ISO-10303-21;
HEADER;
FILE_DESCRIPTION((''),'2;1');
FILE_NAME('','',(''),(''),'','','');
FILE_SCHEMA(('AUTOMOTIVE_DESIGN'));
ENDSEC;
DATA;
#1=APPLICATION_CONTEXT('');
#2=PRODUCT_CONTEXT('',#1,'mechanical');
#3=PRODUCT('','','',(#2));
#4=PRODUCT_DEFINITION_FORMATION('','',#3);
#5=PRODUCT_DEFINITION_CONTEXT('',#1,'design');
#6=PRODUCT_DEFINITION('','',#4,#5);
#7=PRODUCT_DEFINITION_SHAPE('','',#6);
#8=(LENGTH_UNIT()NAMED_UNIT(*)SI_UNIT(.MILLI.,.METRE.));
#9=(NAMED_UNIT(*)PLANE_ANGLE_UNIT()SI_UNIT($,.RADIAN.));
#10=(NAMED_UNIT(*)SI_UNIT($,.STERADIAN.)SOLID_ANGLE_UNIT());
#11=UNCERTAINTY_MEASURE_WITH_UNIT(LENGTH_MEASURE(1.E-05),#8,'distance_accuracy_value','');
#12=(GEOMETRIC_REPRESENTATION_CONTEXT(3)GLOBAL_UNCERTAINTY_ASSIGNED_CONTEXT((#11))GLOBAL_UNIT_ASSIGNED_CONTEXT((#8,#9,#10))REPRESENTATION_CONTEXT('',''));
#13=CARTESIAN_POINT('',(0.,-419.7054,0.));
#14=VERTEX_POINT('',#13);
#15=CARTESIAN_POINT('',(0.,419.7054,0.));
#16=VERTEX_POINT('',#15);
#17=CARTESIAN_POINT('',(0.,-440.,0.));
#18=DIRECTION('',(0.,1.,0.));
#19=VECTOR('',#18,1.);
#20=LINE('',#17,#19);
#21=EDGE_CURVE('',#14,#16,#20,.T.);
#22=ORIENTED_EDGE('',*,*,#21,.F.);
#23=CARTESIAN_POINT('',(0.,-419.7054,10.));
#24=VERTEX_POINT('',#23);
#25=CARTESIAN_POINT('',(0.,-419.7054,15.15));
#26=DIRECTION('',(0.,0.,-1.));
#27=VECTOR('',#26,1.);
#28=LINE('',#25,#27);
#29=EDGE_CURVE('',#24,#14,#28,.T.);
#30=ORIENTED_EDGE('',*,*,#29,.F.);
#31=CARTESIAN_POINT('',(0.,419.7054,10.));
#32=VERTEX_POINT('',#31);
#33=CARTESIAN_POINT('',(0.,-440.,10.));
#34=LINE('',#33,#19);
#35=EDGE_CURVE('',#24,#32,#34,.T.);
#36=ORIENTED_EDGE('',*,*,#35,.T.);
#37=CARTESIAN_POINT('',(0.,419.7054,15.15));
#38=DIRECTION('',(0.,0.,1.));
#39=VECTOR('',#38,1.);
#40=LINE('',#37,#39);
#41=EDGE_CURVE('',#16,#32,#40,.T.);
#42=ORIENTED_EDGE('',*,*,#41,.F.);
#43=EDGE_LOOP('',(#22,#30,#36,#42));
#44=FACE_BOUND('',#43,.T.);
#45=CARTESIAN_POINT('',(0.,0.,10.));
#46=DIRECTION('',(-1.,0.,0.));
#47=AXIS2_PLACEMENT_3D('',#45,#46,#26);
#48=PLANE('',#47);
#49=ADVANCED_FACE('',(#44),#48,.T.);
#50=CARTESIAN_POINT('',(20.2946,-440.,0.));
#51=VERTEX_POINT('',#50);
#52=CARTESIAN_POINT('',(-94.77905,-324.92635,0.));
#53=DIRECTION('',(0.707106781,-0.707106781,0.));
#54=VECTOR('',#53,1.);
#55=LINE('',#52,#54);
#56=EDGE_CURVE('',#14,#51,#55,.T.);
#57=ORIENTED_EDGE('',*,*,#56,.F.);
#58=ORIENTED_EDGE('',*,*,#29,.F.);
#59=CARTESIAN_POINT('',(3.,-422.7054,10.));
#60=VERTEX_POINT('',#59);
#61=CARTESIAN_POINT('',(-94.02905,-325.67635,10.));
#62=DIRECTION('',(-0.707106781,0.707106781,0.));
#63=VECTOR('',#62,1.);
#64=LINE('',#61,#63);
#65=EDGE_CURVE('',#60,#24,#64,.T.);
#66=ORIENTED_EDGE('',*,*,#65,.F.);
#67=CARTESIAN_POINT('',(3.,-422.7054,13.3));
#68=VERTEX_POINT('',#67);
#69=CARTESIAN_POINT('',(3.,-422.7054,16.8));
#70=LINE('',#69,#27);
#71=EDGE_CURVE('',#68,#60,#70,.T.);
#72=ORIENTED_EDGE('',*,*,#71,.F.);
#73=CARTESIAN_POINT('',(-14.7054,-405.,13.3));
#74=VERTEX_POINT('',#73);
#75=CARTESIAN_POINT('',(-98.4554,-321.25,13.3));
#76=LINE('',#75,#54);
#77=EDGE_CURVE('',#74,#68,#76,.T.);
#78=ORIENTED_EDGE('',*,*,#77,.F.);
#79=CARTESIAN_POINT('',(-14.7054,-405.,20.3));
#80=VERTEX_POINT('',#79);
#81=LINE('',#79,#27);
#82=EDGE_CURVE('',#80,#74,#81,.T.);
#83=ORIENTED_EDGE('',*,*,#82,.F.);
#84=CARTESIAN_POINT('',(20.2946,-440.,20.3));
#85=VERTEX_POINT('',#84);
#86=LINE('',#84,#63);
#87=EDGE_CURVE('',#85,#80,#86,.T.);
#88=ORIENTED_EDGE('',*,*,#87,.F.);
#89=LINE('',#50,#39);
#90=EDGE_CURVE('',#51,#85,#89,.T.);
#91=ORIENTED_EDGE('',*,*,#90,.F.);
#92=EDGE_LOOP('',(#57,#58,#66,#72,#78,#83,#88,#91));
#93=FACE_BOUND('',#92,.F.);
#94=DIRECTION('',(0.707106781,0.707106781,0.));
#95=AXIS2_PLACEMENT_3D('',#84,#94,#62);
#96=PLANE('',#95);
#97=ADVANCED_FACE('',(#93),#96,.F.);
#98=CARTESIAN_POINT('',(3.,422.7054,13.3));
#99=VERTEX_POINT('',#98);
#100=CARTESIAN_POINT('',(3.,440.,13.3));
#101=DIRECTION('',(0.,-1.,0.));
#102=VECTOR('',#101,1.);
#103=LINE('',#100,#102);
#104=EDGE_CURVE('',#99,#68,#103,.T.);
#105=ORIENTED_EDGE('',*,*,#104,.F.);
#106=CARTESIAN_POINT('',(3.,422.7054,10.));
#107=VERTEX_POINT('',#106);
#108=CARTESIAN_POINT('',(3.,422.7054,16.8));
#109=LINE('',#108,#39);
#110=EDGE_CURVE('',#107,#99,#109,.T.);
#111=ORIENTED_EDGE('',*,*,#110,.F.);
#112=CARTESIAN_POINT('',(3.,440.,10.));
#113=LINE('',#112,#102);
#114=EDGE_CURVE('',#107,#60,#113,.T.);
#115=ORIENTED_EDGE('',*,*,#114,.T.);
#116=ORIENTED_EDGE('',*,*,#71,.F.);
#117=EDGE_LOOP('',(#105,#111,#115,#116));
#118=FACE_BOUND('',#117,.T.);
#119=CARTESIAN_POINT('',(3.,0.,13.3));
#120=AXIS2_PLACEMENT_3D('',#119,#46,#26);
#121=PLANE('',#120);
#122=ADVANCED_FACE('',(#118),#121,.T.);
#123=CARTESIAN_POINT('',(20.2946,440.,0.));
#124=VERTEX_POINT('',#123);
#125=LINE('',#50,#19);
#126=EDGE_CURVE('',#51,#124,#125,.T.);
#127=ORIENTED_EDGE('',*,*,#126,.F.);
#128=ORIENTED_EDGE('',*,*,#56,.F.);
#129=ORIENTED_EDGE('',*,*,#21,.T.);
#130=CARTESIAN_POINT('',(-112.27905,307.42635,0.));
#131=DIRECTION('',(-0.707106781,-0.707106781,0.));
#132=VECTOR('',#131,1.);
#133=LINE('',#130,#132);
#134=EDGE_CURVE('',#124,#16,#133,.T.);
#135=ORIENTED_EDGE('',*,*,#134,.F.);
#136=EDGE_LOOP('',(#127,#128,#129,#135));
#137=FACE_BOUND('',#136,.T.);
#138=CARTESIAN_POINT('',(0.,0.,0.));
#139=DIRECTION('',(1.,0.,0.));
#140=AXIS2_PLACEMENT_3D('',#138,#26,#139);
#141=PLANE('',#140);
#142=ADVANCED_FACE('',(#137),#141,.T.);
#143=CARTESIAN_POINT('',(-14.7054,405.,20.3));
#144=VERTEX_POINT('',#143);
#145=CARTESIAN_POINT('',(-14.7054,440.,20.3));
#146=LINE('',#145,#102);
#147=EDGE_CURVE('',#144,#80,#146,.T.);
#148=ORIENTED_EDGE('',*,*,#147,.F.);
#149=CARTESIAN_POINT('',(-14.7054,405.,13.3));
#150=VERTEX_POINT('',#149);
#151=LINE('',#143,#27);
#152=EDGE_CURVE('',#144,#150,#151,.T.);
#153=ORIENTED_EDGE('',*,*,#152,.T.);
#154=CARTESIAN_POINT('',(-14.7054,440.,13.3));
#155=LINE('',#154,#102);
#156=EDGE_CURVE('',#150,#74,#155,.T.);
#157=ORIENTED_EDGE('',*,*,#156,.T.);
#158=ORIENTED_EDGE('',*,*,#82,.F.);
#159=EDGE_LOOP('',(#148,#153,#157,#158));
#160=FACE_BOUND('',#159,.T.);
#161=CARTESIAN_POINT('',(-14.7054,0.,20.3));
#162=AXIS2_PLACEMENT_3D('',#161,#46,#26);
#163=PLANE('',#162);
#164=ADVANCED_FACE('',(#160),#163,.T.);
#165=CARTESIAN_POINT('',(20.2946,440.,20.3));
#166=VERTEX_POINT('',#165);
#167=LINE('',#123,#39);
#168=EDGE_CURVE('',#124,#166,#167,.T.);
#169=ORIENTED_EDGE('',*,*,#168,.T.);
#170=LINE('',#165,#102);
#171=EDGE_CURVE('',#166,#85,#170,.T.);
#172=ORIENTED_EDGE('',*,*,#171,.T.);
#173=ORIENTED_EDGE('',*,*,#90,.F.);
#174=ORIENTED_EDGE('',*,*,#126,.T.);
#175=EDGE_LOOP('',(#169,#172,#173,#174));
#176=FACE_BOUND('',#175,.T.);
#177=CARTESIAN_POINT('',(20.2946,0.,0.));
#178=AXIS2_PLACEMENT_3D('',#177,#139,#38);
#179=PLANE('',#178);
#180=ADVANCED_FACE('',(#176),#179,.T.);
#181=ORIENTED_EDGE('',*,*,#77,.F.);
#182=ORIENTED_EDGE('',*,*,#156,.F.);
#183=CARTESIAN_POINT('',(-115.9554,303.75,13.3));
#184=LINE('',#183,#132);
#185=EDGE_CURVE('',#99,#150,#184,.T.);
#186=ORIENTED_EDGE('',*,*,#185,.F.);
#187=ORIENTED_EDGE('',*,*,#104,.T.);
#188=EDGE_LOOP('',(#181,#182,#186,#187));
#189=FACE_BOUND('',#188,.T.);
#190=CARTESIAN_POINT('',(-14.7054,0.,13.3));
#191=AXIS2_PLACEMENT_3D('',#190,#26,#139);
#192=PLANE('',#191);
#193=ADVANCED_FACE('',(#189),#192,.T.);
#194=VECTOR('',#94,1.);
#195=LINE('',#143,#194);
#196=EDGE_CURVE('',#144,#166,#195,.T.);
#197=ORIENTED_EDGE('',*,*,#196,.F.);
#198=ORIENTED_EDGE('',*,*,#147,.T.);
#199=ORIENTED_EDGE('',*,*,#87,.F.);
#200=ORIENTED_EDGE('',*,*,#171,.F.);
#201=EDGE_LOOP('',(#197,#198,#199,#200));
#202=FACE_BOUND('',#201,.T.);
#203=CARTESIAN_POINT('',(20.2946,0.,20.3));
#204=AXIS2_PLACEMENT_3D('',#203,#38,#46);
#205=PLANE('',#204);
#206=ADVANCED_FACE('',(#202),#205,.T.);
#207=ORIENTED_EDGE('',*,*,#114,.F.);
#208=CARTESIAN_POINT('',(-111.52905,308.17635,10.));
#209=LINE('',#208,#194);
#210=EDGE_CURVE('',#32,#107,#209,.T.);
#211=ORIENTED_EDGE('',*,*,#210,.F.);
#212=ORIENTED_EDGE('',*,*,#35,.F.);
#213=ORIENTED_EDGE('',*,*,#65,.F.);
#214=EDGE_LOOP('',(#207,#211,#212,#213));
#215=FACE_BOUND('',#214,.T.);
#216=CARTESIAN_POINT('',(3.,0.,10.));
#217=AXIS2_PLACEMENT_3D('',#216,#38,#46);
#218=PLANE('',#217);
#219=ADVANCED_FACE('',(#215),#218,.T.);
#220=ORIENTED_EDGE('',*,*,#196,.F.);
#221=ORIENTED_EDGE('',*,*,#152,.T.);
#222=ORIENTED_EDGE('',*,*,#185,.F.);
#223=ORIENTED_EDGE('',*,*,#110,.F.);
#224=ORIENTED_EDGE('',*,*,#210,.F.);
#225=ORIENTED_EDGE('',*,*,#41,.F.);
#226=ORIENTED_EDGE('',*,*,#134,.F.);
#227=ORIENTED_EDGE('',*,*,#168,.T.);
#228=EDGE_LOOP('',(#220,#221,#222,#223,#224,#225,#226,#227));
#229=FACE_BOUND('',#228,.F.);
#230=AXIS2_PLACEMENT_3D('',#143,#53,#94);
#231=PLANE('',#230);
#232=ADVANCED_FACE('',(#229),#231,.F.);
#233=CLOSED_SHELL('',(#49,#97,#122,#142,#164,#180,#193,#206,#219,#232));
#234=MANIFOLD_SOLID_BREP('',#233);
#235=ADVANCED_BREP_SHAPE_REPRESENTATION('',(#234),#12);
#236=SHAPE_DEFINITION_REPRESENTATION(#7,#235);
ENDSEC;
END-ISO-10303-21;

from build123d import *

# Parameters (mm, degrees)
F1_DEPTH = 440
F3_DEPTH = 25.4


with BuildPart() as f1:
    # F0 (on Front) → F1 (new body, symmetric)
    with BuildSketch(Plane.XZ):
        Polygon((20.2946, 0), (20.2946, 20.3), (-14.7054, 20.3), (-14.7054, 13.3), (3, 13.3), (3, 10), (0, 10), (0, 0), align=None)
    extrude(amount=F1_DEPTH, both=True)

    # F2 (on face) → F3 (cut)
    with BuildSketch(Plane.XY.offset(20.3)):
        Polygon((-14.7054, 405), (20.2946, 440), (-14.7054, 440), align=None)
        Polygon((-14.7054, -440), (20.2946, -440), (-14.7054, -405), align=None)
    extrude(amount=-F3_DEPTH, mode=Mode.SUBTRACT)


solid = f1.part
